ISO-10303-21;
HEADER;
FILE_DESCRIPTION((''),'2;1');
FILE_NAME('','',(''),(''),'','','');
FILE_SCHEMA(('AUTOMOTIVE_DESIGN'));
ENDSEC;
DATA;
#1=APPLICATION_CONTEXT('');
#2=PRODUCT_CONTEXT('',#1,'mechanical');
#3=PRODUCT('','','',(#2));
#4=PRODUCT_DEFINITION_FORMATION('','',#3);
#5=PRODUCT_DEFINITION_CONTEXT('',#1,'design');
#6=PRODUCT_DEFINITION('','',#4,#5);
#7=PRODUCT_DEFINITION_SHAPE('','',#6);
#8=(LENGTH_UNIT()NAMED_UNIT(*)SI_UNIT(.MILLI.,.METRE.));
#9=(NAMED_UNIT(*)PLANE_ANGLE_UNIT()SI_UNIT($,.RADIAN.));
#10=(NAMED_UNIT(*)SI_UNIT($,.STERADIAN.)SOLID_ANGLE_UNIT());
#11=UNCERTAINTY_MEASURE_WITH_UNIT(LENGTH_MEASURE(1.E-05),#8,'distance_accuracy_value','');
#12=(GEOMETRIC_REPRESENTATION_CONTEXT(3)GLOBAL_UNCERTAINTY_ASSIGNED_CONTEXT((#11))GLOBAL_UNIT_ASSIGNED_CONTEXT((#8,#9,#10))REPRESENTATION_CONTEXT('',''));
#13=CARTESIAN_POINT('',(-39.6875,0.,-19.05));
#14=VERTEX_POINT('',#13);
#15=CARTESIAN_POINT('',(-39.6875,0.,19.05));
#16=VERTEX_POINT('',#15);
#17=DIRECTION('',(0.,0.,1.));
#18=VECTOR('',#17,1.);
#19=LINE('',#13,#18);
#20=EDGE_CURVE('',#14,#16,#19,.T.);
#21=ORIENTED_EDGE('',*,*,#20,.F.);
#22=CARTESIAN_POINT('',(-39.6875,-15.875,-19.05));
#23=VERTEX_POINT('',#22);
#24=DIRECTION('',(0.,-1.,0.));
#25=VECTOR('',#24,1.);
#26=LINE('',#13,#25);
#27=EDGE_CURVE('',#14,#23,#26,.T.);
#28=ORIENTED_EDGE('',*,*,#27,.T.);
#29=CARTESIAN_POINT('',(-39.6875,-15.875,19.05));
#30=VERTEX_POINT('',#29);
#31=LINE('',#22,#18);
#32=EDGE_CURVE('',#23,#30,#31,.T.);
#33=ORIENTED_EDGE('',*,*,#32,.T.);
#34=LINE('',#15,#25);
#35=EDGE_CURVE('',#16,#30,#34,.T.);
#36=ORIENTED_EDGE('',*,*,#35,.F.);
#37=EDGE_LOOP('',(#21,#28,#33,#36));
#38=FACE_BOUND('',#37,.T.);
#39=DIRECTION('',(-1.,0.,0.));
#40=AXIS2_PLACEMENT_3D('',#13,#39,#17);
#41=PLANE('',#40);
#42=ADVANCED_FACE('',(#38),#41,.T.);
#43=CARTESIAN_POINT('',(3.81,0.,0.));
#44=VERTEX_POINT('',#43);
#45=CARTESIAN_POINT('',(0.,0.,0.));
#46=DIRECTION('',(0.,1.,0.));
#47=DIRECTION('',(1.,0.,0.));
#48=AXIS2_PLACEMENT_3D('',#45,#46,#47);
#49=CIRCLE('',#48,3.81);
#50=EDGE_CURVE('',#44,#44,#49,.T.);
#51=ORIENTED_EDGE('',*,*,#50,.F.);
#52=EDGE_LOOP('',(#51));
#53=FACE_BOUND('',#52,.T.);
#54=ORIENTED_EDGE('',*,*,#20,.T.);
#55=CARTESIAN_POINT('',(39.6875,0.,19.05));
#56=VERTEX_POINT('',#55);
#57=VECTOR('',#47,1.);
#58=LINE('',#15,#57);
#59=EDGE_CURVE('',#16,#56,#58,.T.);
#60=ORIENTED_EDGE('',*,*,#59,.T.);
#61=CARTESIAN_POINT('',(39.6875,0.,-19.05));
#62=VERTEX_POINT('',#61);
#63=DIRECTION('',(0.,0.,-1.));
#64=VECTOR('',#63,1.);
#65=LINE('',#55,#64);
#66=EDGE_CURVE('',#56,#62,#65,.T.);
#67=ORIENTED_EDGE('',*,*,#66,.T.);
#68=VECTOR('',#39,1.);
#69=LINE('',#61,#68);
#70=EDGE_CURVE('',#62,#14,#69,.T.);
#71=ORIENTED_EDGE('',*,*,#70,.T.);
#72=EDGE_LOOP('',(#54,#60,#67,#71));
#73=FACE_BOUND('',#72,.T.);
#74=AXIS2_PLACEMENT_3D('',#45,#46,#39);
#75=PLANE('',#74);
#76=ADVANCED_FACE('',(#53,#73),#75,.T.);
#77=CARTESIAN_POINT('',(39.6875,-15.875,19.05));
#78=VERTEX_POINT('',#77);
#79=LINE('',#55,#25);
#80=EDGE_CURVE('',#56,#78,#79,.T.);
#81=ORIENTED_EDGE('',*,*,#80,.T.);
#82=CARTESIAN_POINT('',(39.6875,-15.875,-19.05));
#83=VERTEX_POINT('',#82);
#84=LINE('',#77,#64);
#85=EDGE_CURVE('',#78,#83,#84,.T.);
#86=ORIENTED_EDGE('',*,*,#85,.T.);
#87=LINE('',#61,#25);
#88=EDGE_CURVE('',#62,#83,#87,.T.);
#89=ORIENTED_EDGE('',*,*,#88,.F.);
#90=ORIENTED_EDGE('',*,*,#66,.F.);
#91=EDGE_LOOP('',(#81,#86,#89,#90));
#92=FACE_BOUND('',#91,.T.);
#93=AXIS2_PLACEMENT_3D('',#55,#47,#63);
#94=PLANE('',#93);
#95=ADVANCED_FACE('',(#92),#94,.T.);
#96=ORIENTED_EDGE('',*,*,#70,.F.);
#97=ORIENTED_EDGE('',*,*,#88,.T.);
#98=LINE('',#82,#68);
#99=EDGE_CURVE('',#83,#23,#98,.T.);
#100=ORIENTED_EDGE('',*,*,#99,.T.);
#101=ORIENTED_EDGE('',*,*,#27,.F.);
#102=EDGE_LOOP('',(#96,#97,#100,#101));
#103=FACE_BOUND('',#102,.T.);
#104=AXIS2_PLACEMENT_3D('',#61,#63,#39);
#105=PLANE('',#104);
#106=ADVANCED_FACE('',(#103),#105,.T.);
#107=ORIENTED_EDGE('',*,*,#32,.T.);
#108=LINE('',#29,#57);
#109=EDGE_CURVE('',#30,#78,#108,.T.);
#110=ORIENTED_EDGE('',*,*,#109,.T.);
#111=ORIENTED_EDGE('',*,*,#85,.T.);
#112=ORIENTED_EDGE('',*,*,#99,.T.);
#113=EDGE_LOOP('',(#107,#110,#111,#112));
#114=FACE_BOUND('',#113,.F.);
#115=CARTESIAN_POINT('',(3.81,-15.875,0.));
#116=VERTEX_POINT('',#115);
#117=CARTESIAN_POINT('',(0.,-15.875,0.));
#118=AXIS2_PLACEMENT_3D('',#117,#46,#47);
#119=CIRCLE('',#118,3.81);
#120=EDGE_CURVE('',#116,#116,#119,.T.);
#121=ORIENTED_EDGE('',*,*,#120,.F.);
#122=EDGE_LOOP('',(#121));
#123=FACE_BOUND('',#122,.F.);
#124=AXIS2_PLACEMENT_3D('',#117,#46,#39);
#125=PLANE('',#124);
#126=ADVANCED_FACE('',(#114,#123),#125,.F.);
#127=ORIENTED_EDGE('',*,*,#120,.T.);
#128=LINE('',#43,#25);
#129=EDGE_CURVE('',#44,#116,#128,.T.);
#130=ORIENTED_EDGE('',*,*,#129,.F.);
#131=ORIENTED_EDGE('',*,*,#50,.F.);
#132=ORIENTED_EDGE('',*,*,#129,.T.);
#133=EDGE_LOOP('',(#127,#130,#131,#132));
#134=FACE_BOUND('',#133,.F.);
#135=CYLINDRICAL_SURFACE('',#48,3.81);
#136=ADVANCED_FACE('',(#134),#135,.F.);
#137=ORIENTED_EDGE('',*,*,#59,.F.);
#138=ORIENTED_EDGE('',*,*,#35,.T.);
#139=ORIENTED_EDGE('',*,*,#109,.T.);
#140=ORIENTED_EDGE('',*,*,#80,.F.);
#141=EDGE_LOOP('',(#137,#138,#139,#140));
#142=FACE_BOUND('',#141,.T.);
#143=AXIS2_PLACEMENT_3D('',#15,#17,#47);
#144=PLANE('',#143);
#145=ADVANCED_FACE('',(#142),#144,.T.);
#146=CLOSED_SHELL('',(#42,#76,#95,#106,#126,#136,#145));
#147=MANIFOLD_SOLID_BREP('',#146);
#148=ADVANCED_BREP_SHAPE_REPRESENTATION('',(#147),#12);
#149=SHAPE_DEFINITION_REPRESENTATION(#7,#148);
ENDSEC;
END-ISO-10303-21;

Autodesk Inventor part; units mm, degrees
ref_plane "YZ Plane" through (0, 0, 0) normal (1, 0, 0) x (0, 1, 0)
ref_plane "XZ Plane" through (0, 0, 0) normal (0, 1, 0) x (-1, 0, 0)
ref_plane "XY Plane" through (0, 0, 0) normal (0, 0, 1) x (1, 0, 0)
sketch "Sketch1" plane through (0, 0, 0) normal (0, 1, 0) x (-1, 0, 0)
  line L0 (39.6875, 19.05) -> (-39.6875, 19.05)
  line L1 (-39.6875, 19.05) -> (-39.6875, -19.05)
  line L2 (-39.6875, -19.05) -> (39.6875, -19.05)
  line L3 (39.6875, -19.05) -> (39.6875, 19.05)
  line L4 (39.6875, 19.05) -> (-39.6875, -19.05) construction
  line L5 (-39.6875, 19.05) -> (39.6875, -19.05) construction
  point P0 (0, 0)
  dimension "d0" = 79.375
  dimension "d1" = 38.1
extrude "Extrusion1" add sketch "Sketch1" against normal blind 15.875
sketch "Sketch2" plane through (0, 0, 0) normal (0, 1, 0) x (1, 0, 0)
  circle A0 centre (0, 0) radius 3.81
  dimension "d4" = 7.62
extrude "Extrusion2" cut sketch "Sketch2" against normal through all
properties part number "RaspberryPiCameraCase"
